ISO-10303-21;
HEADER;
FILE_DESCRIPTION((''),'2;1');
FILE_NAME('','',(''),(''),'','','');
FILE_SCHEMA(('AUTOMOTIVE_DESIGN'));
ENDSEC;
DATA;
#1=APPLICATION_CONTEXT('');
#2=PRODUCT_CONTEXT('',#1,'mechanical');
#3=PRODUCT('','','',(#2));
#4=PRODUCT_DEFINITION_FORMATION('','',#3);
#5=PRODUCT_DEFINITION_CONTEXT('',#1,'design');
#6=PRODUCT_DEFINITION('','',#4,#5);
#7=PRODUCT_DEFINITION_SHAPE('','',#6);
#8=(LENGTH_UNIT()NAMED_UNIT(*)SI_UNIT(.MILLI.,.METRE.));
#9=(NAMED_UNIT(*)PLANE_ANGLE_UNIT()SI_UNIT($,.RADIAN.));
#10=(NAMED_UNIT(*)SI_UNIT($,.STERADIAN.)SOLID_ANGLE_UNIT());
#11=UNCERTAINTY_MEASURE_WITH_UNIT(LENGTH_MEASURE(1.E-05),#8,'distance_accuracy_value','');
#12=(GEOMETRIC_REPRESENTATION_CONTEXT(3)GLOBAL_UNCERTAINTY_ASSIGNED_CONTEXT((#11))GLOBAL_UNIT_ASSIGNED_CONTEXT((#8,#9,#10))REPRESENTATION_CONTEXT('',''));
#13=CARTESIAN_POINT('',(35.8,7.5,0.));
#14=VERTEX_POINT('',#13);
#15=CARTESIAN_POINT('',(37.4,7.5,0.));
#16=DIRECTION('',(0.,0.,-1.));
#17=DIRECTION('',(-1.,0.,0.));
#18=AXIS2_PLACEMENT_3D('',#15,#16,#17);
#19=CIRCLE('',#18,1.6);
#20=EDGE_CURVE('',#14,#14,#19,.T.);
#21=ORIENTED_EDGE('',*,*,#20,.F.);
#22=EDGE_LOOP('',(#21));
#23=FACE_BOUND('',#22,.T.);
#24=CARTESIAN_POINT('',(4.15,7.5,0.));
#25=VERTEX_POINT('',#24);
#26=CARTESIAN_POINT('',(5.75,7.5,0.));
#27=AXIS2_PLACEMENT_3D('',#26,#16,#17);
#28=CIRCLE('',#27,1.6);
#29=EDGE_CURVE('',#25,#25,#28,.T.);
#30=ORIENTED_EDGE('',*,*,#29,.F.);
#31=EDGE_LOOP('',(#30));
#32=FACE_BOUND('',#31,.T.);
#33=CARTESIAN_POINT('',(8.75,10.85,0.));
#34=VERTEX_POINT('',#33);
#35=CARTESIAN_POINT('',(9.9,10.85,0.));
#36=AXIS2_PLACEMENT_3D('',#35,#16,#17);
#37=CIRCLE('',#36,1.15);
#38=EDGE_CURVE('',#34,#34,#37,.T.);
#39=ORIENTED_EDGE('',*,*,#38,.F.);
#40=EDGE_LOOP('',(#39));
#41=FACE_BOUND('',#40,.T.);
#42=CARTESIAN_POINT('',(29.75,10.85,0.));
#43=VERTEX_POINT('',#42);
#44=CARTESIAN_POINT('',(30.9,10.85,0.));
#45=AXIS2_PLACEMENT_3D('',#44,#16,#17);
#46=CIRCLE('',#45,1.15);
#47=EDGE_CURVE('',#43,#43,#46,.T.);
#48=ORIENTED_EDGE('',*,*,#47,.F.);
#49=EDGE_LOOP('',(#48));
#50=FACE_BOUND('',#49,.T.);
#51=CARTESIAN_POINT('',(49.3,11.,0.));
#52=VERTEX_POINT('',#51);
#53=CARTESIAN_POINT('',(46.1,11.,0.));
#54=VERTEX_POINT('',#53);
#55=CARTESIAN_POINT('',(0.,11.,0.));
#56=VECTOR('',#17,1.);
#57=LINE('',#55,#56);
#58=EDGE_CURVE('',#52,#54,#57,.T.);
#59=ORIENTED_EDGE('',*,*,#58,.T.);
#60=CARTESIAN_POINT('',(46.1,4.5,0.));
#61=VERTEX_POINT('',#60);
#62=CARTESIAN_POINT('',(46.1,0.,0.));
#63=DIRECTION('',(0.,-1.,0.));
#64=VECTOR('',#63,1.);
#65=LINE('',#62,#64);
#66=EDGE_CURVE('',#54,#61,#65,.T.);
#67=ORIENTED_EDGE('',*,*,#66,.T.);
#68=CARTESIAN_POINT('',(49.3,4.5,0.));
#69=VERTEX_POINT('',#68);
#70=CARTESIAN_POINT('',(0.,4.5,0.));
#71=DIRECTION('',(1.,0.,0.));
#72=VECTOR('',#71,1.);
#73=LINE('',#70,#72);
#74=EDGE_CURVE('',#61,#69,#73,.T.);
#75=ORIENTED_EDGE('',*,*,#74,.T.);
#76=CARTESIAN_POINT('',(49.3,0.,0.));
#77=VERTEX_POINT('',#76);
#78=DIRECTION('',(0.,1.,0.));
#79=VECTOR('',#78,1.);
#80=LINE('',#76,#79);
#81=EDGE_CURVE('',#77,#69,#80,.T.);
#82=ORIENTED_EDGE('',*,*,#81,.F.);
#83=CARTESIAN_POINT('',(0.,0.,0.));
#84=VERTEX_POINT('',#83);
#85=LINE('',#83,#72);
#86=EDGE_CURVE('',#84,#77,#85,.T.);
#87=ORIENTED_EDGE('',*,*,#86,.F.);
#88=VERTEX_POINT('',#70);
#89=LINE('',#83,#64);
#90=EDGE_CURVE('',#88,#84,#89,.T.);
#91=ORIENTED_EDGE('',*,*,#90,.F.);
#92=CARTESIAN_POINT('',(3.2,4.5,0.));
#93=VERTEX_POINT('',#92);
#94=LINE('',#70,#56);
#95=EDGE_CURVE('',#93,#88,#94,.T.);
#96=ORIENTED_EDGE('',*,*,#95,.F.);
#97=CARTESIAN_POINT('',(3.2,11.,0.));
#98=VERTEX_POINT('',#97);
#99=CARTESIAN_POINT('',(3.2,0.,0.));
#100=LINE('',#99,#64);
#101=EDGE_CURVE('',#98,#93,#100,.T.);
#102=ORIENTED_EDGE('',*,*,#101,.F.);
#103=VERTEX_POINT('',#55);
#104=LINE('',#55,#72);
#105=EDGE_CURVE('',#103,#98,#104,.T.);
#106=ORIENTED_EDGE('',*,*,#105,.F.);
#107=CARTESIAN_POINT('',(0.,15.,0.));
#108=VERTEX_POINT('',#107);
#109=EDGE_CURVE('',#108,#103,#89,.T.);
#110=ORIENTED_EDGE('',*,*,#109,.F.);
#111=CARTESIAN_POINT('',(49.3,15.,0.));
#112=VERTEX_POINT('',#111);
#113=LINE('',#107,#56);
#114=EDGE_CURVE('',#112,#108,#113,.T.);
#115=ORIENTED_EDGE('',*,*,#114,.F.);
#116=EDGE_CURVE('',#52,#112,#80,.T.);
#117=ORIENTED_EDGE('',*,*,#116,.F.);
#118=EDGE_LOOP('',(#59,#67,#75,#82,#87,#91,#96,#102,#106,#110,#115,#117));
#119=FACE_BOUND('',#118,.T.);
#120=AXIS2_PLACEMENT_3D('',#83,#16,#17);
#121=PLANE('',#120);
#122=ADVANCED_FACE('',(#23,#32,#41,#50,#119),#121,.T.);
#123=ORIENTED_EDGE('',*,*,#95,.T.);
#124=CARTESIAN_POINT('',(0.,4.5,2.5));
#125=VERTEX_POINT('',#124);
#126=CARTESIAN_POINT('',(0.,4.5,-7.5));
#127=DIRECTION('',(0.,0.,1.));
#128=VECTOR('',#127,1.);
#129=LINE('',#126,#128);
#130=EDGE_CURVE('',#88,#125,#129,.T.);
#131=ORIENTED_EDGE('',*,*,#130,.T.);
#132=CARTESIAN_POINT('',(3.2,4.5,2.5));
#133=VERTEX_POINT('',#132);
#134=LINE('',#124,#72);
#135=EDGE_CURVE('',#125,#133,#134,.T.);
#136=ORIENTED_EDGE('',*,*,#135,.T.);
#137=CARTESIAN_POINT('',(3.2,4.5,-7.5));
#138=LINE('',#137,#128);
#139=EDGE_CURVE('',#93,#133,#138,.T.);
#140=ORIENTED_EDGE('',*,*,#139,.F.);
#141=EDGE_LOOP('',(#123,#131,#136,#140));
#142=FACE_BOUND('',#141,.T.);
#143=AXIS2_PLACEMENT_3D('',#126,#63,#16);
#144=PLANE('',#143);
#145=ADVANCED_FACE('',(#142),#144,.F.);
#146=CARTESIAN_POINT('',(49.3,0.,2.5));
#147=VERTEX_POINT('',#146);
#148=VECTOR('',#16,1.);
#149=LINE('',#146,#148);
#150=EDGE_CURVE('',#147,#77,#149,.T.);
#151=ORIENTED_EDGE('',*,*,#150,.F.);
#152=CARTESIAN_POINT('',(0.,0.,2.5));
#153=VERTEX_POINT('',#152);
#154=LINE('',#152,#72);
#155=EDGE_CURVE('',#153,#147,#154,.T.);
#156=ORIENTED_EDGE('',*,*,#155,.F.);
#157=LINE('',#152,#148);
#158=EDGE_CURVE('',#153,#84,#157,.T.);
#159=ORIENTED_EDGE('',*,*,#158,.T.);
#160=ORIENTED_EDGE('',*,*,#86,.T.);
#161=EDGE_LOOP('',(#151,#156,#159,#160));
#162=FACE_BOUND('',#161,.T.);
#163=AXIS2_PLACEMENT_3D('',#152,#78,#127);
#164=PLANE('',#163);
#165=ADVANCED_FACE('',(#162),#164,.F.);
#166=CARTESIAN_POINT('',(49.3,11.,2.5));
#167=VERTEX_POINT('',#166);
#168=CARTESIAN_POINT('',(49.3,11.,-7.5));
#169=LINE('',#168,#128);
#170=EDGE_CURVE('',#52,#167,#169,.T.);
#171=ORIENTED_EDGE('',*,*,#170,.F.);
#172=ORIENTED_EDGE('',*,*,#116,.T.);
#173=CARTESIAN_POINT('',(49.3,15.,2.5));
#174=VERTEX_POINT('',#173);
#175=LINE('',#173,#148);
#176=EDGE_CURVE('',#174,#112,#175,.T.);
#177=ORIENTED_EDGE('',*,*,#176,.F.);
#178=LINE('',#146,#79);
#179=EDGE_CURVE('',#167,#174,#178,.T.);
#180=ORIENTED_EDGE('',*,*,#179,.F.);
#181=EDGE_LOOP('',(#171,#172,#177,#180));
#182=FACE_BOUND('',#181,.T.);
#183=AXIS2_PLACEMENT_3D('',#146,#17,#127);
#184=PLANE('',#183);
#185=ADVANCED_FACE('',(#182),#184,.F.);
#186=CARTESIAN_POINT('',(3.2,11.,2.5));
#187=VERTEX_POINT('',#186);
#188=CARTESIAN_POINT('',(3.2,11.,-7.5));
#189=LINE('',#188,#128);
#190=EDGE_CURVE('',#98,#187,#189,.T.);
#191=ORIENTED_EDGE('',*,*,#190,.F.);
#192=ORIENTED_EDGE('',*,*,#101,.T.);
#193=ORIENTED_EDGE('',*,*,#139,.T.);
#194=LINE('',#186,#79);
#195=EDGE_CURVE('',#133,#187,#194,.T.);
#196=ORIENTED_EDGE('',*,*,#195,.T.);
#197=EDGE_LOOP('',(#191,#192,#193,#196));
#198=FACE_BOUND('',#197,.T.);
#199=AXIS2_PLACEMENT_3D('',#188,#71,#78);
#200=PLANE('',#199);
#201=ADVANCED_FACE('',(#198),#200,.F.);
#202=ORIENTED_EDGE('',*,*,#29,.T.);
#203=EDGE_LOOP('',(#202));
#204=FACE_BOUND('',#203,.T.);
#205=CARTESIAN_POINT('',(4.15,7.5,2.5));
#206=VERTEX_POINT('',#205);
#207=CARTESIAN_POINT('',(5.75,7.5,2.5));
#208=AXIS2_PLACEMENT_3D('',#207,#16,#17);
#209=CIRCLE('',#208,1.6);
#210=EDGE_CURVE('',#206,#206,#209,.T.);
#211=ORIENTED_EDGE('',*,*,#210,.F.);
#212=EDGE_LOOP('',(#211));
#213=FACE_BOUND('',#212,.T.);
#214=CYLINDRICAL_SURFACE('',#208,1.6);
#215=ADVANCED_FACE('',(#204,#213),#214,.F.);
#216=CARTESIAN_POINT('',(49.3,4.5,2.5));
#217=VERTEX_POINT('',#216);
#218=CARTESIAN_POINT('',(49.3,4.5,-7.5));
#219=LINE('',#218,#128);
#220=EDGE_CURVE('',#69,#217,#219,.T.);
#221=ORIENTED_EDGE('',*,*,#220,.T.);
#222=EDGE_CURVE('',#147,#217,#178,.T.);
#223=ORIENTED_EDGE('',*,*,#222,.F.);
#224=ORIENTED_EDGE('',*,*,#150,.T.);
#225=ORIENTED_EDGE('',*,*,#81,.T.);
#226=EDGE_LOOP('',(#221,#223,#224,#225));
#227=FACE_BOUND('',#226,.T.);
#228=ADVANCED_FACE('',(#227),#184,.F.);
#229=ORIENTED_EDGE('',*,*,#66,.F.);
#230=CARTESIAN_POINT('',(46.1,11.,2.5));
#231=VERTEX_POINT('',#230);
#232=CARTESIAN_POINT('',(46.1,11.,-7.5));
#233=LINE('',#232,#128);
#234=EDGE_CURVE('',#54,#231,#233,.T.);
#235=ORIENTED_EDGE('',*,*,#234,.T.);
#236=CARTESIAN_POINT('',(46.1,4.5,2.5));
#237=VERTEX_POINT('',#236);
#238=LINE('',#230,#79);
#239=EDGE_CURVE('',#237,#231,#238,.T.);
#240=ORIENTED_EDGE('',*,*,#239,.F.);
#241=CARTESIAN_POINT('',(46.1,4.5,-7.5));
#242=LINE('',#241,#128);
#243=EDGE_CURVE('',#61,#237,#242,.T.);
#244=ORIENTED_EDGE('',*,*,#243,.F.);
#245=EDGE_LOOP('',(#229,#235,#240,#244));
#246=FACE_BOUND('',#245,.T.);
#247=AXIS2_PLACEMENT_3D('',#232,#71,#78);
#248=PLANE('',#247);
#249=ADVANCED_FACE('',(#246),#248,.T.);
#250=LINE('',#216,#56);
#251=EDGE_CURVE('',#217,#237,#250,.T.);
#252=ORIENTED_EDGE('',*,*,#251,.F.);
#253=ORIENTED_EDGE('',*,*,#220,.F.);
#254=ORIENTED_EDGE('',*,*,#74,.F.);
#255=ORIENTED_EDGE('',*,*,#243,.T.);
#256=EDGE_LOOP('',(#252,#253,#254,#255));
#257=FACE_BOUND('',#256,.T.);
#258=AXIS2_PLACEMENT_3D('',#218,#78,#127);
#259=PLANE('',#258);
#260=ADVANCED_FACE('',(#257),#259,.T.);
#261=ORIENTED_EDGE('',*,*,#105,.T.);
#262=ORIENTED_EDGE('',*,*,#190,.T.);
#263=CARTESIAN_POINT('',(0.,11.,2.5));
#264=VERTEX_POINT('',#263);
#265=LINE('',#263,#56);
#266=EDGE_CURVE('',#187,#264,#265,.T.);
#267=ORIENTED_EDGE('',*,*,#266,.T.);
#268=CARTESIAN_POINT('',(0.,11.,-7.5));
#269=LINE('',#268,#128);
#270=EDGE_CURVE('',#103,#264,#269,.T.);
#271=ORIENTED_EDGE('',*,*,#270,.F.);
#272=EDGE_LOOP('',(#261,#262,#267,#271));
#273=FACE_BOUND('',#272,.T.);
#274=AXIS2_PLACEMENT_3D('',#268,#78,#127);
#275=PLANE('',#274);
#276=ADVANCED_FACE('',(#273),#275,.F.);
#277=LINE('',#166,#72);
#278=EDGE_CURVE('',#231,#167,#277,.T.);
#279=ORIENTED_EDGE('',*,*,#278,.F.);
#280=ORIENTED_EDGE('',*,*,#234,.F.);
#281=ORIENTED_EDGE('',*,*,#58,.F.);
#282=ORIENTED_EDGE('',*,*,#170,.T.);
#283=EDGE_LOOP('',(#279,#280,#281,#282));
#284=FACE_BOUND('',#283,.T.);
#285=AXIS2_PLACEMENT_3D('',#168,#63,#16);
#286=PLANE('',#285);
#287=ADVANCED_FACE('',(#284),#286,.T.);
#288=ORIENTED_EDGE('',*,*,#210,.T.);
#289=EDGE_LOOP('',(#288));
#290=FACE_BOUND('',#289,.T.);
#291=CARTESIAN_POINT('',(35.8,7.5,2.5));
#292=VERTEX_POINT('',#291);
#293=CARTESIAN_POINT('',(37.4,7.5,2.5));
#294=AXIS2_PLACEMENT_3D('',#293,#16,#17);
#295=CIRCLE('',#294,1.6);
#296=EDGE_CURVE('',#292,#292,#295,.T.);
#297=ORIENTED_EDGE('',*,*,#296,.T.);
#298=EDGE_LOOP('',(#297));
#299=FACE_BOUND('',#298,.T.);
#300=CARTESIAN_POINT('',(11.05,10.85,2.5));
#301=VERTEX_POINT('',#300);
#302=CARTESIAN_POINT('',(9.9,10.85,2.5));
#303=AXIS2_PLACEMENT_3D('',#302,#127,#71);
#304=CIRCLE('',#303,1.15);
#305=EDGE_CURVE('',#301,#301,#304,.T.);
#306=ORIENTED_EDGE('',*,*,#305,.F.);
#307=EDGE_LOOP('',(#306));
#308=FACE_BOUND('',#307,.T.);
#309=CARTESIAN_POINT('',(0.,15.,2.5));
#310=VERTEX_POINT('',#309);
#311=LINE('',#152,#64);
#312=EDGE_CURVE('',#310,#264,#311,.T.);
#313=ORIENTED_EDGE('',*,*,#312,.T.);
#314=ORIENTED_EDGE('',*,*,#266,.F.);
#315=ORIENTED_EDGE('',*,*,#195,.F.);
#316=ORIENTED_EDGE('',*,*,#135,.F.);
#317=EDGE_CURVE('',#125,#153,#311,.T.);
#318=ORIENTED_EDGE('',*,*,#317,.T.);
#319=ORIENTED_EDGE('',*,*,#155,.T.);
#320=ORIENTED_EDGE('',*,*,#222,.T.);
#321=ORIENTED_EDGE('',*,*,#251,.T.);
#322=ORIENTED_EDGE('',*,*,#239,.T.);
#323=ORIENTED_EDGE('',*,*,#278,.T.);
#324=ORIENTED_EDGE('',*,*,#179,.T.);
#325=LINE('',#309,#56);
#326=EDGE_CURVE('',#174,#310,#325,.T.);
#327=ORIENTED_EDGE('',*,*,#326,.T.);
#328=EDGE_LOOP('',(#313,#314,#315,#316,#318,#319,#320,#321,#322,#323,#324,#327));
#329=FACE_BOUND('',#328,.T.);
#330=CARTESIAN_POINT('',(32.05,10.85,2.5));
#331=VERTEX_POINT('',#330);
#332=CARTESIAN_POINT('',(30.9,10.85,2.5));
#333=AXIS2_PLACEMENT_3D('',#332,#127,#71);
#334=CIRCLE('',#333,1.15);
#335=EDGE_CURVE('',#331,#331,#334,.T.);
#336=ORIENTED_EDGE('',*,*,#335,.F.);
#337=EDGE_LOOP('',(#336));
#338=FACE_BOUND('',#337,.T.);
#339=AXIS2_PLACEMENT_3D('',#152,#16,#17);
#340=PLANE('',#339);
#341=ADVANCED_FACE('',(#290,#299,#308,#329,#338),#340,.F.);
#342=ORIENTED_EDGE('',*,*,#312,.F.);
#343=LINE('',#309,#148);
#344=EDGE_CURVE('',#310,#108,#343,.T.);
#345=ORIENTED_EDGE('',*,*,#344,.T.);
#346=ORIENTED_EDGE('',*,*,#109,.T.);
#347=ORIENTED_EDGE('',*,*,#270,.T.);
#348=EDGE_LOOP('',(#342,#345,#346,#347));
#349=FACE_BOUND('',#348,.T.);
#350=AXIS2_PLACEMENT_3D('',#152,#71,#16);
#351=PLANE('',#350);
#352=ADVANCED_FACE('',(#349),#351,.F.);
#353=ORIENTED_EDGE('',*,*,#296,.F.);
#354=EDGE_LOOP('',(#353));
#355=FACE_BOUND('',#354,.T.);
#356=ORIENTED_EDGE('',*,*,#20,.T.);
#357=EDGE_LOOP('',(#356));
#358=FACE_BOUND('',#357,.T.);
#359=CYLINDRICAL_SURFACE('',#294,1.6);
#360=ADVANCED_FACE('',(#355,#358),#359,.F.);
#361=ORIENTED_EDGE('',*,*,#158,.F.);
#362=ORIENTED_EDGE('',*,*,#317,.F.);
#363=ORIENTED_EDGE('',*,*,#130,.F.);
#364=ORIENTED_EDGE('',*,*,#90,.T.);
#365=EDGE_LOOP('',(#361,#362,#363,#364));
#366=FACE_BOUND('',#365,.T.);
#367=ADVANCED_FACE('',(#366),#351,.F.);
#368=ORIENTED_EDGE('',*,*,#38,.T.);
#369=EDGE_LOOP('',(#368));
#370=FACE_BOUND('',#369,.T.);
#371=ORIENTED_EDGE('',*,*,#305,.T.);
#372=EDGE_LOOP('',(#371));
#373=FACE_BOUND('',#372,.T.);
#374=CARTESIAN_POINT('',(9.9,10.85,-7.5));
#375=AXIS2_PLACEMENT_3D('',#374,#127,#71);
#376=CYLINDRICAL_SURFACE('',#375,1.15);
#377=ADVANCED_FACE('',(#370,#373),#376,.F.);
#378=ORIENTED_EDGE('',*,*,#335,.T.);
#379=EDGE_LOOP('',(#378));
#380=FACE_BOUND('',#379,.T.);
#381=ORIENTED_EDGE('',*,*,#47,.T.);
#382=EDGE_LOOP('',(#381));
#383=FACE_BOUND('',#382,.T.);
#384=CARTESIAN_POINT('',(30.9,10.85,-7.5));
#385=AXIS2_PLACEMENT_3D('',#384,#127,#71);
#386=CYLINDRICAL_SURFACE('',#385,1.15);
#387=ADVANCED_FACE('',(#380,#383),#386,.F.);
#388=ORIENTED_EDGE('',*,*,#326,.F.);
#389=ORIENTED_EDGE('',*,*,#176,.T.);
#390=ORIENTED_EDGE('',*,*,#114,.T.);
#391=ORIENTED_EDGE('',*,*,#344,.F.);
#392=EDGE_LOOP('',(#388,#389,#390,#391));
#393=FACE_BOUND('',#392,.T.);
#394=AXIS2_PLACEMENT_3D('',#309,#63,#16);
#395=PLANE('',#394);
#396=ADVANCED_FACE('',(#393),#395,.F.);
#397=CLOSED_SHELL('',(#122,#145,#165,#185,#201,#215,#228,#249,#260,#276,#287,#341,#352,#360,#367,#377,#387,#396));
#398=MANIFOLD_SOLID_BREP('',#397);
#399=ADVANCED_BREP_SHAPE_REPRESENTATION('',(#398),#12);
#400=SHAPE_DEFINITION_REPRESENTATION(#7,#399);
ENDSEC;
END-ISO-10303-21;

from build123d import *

# Parameters (mm, degrees)
SKETCH_1_W          = 49.3
SKETCH_1_H          = 15
EXTRUDE_1_DEPTH     = 2.5
SKETCH_2_R          = 1.6
CUT_EXTRUDE_1_DEPTH = 52.592053652
SKETCH_3_W          = 3.2
SKETCH_3_H          = 6.5
CUT_EXTRUDE_2_DEPTH = 10
SKETCH_4_R          = 1.15
CUT_EXTRUDE_3_DEPTH = 10


with BuildPart() as part:
    # 草图1 → 凸台-拉伸1 (new body)
    with BuildSketch(Plane.XY):
        with Locations((24.65, 7.5)):
            Rectangle(SKETCH_1_W, SKETCH_1_H)
    extrude(amount=EXTRUDE_1_DEPTH)

    # 草图2 → 切除-拉伸1 (cut, through all)
    with BuildSketch(Plane(origin=(0, 0, 0), x_dir=(-1, 0, 0), z_dir=(0, 0, -1))):
        with Locations((-5.75, 7.5)):
            Circle(SKETCH_2_R)
        with Locations((-37.4, 7.5)):
            Circle(SKETCH_2_R)
    extrude(amount=-CUT_EXTRUDE_1_DEPTH, mode=Mode.SUBTRACT)

    # 草图3 → 切除-拉伸2 (cut)
    with BuildSketch(Plane.XY.offset(2.5)):
        with Locations((1.6, 7.75)):
            Rectangle(SKETCH_3_W, SKETCH_3_H)
    cut_extrude_2 = extrude(amount=-CUT_EXTRUDE_2_DEPTH, mode=Mode.SUBTRACT)

    # 镜向1: 切除-拉伸2 across plane
    add(cut_extrude_2.mirror(Plane.ZY.offset(-24.65)), mode=Mode.SUBTRACT)

    # 草图4 → 切除-拉伸3 (cut)
    with BuildSketch(Plane.XY.offset(2.5)):
        with Locations((9.9, 10.85)):
            Circle(SKETCH_4_R)
        with Locations((30.9, 10.85)):
            Circle(SKETCH_4_R)
    extrude(amount=-CUT_EXTRUDE_3_DEPTH, mode=Mode.SUBTRACT)


solid = part.part
